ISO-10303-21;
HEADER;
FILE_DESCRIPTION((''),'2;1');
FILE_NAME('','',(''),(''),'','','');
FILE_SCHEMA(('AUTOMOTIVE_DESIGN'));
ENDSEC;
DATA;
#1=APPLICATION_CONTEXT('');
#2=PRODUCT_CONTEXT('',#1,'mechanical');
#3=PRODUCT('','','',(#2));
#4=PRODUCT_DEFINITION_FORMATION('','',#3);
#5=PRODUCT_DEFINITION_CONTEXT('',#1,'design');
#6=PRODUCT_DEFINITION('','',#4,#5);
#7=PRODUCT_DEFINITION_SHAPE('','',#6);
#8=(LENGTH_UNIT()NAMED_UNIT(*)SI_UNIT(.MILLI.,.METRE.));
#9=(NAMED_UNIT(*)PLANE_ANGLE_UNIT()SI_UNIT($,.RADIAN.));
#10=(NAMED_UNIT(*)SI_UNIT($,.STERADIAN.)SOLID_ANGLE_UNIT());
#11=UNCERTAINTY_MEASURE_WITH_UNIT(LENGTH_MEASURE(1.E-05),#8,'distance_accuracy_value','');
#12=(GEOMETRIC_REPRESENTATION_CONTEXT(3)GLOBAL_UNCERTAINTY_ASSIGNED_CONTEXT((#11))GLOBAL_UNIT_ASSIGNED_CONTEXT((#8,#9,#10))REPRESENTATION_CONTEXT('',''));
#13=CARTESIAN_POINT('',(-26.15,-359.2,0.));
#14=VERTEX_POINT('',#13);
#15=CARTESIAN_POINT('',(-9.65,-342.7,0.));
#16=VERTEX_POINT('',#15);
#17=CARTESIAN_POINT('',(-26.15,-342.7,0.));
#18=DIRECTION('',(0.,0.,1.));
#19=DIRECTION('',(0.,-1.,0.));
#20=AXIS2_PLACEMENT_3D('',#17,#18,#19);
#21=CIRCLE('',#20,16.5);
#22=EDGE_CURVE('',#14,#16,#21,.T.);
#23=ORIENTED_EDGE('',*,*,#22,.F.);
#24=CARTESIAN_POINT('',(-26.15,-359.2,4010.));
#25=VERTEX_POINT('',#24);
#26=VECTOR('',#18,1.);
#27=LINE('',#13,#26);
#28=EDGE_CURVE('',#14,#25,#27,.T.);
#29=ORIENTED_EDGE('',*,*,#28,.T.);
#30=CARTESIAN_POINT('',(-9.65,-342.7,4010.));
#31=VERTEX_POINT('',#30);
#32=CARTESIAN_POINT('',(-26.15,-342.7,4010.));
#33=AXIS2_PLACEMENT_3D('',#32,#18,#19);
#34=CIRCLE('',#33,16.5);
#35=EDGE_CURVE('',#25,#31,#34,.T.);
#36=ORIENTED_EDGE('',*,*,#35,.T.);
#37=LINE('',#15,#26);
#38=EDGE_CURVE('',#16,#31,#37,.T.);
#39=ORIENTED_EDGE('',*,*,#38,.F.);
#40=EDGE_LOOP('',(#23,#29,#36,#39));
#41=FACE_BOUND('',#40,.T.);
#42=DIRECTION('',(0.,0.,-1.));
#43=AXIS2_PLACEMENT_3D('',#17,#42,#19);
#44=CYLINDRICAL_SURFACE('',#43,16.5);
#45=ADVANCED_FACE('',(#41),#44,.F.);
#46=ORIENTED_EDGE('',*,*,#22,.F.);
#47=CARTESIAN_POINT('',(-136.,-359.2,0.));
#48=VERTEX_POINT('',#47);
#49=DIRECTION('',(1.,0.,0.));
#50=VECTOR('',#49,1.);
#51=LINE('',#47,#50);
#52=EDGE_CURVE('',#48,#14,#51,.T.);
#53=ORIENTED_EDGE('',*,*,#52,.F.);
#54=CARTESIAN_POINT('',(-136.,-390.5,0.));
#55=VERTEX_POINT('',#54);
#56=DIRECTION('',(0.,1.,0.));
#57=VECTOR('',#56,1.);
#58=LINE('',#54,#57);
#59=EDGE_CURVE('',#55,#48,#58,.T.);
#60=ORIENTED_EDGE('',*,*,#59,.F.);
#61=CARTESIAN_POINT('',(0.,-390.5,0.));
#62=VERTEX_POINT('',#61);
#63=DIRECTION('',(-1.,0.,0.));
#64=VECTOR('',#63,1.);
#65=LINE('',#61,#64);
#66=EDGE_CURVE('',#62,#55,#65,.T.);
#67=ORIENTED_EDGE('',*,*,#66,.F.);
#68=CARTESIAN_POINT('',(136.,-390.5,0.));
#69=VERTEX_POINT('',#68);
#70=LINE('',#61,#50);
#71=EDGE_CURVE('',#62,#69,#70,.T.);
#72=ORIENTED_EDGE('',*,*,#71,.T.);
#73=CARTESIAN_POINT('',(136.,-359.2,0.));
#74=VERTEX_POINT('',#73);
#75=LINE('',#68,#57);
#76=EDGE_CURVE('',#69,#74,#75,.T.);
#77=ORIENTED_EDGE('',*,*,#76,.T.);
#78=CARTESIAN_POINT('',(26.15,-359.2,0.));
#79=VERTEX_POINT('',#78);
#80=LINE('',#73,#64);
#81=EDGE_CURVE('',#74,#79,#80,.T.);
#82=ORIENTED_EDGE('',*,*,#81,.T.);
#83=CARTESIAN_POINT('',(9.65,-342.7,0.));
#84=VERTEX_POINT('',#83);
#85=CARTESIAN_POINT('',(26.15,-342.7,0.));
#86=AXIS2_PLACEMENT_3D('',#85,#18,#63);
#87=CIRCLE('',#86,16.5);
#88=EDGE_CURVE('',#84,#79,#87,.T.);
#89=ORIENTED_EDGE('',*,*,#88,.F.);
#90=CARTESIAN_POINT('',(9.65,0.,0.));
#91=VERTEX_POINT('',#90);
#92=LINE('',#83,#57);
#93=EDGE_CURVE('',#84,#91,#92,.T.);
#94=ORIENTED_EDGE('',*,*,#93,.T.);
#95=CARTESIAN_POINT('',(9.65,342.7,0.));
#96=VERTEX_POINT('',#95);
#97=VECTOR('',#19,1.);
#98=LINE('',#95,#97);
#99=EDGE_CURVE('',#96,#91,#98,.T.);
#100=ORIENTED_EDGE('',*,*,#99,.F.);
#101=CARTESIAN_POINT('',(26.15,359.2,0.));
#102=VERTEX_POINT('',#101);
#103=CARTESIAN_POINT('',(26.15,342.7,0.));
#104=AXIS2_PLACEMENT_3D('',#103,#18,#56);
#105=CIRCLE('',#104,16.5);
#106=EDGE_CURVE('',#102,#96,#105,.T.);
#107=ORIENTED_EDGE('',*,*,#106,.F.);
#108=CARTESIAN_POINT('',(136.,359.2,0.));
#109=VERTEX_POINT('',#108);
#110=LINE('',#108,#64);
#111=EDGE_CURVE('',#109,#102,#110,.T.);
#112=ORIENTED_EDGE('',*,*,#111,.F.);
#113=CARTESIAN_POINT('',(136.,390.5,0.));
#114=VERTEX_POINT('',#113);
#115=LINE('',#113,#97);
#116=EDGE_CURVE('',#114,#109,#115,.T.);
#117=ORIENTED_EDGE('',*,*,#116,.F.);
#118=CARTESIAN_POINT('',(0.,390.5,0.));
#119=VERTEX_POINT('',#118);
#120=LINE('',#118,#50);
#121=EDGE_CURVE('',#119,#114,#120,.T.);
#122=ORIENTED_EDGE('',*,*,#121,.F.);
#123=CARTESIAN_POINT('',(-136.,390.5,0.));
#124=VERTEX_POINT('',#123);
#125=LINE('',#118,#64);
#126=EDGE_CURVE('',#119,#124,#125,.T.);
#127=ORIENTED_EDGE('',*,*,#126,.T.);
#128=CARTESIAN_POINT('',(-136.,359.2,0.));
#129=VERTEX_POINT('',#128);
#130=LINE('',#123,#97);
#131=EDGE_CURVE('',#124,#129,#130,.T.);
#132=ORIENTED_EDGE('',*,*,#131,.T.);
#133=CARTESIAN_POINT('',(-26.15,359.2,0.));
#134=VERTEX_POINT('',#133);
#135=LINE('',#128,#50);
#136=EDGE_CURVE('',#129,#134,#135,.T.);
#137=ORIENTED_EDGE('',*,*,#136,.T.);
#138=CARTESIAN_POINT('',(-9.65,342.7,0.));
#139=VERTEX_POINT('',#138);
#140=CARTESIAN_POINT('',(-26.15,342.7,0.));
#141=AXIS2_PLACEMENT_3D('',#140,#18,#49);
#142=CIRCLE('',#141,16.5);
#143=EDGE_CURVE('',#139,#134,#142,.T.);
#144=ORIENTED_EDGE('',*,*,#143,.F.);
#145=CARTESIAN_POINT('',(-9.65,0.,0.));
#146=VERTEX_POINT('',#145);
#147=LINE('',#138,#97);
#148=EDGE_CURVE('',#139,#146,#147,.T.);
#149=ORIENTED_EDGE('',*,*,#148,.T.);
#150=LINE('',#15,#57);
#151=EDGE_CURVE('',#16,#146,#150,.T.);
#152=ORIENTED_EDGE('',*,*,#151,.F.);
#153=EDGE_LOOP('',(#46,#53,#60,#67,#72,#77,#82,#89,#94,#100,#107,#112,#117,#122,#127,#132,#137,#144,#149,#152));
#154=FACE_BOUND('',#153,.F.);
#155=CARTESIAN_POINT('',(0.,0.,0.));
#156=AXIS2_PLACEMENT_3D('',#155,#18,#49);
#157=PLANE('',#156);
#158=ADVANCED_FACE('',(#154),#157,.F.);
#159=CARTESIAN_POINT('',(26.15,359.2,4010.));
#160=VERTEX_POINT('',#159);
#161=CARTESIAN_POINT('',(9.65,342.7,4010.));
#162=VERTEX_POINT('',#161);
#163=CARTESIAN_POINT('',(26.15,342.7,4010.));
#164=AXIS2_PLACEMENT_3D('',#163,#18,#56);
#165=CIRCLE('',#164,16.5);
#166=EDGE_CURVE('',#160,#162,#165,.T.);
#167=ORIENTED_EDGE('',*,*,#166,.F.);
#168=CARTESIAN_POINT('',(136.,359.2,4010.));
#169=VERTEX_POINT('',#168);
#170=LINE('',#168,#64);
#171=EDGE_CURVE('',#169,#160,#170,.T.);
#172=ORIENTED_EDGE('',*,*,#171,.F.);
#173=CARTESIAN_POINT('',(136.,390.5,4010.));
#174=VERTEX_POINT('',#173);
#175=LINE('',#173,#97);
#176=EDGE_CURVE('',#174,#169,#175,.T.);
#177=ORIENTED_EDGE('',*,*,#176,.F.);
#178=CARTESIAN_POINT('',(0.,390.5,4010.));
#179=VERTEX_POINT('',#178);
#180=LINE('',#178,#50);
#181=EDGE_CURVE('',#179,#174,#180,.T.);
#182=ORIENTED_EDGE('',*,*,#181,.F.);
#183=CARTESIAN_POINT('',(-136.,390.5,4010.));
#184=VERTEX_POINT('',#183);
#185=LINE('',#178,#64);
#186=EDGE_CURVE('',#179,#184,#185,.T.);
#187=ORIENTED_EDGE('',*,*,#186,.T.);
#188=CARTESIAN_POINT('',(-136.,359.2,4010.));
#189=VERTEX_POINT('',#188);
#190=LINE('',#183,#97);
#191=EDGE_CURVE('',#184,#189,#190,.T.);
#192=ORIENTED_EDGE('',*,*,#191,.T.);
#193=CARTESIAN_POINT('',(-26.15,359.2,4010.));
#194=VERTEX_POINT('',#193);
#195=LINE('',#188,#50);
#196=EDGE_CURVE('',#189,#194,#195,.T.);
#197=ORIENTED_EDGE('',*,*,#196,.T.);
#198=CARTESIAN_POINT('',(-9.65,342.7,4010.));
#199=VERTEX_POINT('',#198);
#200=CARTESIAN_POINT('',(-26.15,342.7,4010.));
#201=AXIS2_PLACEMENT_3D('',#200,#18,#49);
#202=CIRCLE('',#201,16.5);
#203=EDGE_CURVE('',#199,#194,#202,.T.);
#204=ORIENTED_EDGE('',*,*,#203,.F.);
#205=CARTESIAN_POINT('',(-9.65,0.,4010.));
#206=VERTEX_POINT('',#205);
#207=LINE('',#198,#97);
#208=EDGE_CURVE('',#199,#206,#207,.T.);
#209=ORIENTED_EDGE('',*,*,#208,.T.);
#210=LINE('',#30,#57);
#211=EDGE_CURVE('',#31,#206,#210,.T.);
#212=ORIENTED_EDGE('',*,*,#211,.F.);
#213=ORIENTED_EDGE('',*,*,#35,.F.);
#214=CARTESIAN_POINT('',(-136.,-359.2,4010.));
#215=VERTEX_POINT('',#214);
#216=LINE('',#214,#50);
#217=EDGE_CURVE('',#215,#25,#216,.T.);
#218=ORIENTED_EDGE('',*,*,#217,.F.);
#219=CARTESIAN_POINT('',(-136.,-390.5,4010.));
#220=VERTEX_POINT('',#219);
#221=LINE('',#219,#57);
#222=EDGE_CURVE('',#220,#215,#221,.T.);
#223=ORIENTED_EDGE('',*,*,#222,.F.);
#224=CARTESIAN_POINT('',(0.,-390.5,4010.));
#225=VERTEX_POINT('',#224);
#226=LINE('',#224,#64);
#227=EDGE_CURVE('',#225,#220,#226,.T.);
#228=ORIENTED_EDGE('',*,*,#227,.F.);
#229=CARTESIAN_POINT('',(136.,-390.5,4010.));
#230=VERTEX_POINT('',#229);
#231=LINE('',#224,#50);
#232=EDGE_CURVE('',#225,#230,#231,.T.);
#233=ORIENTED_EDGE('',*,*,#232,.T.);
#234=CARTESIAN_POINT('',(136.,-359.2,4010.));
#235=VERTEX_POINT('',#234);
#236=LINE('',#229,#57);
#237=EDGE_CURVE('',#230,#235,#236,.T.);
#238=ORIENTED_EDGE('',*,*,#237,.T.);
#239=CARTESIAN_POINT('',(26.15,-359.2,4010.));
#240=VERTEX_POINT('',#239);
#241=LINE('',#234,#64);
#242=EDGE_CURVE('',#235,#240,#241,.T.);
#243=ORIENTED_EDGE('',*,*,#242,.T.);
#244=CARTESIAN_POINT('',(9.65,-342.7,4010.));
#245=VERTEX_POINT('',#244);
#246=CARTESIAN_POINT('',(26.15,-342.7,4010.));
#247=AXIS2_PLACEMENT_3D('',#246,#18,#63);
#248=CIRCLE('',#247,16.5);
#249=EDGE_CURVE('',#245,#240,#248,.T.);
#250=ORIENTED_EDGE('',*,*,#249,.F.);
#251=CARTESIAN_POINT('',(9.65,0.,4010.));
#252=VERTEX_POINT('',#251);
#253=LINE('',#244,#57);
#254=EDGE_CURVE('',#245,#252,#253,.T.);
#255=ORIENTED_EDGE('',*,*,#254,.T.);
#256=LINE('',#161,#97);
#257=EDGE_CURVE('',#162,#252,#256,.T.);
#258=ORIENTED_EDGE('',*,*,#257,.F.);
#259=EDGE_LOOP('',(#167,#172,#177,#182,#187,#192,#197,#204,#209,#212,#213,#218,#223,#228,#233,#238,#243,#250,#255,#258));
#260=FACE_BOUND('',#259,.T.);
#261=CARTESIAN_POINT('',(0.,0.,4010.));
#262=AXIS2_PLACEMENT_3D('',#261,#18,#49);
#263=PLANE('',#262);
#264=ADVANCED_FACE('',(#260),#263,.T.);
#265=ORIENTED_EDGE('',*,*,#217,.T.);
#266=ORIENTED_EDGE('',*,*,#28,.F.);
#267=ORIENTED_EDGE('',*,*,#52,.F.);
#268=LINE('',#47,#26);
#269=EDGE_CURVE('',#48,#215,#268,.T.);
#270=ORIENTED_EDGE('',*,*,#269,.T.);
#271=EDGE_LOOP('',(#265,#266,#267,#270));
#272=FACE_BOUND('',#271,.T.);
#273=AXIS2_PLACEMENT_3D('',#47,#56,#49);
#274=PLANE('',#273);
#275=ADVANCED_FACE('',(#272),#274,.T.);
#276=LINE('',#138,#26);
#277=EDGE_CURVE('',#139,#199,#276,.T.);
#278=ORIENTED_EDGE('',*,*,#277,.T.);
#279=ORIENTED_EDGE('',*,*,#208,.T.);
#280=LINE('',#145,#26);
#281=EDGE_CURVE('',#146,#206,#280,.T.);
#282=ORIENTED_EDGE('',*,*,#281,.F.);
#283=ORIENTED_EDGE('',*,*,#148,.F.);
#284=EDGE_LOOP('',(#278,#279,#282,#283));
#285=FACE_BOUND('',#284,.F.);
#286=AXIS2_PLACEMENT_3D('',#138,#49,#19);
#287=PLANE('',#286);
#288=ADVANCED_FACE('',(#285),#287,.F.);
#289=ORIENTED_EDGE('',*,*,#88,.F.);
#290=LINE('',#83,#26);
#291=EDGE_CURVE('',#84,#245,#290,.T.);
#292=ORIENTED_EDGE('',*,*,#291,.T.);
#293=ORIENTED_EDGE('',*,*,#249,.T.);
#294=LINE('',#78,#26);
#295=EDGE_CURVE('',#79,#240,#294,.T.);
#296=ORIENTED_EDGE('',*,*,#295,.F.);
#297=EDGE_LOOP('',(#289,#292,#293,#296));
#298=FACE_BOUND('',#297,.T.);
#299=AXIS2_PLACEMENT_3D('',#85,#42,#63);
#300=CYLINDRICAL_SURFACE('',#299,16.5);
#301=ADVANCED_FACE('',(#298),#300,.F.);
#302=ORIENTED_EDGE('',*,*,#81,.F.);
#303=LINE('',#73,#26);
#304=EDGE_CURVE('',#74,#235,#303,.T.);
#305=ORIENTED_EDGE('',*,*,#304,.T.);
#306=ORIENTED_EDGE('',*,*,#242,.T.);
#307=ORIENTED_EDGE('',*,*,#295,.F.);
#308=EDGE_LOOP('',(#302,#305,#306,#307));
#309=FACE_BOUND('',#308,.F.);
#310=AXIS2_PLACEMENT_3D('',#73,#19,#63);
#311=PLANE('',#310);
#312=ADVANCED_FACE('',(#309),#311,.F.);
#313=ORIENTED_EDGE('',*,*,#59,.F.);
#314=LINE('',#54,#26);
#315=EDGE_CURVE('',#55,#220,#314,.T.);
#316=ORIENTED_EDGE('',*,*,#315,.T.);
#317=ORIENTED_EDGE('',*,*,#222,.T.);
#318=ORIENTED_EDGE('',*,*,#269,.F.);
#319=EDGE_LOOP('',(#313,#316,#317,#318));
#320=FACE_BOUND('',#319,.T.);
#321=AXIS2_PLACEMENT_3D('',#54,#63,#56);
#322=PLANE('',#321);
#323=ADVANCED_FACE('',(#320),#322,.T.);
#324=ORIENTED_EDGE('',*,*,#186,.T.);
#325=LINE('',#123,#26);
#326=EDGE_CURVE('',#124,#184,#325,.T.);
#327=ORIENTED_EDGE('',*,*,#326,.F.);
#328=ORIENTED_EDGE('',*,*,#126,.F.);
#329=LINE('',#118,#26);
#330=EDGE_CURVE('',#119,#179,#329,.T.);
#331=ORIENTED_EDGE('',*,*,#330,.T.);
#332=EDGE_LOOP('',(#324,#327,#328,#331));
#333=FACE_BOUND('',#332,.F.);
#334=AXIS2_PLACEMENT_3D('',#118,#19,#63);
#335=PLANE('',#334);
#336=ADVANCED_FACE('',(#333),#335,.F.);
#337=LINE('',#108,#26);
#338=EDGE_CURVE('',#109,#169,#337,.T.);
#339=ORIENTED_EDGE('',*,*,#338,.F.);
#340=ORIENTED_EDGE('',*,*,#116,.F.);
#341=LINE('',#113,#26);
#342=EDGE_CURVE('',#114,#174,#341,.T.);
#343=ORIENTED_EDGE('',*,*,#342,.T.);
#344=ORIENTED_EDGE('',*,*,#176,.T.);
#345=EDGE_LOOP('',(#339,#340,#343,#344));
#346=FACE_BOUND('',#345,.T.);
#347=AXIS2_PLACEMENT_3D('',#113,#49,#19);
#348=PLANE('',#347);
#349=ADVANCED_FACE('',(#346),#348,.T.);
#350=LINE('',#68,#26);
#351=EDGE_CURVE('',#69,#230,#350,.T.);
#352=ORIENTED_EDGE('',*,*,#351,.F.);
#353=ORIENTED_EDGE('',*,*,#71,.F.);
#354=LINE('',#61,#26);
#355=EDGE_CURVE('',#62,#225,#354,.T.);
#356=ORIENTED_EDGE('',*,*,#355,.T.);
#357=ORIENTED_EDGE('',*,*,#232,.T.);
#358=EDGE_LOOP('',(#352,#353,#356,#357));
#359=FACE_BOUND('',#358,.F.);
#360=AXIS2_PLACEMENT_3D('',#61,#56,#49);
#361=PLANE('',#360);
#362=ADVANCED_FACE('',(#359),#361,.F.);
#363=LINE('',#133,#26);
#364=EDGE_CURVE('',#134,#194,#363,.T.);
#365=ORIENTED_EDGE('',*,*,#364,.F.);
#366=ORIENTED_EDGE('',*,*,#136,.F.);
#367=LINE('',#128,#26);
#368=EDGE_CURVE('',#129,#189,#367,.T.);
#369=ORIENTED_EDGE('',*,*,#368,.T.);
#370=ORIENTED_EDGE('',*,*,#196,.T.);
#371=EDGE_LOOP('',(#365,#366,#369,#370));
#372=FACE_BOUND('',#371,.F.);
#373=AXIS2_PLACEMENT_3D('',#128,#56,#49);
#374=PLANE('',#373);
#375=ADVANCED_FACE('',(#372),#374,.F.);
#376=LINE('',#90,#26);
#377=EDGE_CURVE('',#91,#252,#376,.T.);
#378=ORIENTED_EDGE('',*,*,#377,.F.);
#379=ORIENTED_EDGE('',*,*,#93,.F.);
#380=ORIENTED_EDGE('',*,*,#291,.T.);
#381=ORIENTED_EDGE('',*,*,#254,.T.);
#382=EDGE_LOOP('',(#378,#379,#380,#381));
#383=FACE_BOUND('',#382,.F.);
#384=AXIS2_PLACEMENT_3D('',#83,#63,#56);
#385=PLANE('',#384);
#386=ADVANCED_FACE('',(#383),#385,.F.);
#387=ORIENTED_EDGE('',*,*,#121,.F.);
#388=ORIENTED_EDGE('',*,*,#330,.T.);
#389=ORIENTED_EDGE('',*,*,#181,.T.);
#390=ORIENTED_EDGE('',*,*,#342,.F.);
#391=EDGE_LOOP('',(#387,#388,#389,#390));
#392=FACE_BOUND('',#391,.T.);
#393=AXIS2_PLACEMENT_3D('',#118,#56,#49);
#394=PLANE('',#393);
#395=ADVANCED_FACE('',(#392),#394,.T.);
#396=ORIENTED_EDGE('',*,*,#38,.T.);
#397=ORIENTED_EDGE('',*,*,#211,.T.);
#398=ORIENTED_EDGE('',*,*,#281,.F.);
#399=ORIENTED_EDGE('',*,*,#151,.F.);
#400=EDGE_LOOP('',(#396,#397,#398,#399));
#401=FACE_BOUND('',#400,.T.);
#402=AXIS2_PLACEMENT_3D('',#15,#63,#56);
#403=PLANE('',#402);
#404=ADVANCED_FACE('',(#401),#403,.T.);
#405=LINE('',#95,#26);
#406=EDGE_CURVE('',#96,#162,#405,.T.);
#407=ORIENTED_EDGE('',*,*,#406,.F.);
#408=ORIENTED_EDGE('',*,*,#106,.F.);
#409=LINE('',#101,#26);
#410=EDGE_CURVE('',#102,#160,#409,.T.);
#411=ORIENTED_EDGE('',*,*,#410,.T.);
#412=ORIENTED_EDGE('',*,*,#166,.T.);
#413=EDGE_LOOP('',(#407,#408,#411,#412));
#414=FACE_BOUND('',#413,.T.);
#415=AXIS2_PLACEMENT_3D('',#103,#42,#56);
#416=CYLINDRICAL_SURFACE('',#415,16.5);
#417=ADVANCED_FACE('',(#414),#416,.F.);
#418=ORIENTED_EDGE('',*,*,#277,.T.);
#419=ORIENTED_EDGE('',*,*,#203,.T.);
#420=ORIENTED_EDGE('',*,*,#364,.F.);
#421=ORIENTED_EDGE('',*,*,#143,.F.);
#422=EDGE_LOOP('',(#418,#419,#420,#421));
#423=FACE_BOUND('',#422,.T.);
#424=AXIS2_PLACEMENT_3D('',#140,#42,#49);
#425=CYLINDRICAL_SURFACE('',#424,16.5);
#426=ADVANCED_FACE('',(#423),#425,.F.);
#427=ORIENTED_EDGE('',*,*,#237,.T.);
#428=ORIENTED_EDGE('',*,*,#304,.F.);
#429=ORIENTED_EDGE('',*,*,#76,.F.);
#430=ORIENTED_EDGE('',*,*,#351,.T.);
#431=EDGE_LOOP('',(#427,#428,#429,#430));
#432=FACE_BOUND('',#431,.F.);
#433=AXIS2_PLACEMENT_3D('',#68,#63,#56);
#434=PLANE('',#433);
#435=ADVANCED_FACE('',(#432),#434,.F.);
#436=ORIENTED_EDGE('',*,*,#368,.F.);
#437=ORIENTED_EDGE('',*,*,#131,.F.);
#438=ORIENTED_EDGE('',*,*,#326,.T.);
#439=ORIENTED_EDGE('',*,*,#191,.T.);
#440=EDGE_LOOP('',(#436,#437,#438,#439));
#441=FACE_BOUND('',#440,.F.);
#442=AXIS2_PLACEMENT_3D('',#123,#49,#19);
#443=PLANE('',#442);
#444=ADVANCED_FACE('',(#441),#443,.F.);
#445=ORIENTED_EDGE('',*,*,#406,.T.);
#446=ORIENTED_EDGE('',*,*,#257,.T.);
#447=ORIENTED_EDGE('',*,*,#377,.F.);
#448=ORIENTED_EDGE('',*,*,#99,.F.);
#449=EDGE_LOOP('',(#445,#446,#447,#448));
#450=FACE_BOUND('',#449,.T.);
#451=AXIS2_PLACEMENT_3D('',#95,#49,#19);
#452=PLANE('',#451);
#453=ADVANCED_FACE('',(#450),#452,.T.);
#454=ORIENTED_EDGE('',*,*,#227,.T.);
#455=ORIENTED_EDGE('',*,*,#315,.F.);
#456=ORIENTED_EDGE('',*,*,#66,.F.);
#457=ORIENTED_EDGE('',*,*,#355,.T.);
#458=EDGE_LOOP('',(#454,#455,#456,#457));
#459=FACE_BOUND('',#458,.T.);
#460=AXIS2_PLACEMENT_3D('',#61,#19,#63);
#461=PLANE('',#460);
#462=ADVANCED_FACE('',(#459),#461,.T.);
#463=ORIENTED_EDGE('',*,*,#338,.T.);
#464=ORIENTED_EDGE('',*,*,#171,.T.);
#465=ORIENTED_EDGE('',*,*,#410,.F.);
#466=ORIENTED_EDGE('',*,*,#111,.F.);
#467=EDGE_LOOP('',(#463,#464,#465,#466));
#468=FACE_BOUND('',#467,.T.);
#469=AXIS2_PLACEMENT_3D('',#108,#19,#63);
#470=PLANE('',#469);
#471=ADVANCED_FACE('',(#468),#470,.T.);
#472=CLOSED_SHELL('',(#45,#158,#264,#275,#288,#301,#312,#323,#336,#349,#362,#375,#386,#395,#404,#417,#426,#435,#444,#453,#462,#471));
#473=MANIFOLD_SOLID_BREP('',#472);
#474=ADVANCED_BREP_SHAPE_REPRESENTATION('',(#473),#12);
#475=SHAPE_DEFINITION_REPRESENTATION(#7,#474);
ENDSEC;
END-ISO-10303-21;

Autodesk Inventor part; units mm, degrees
ref_plane "YZ Plane" through (0, 0, 0) normal (1, 0, 0) x (0, 1, 0)
ref_plane "Start plane" through (0, 0, 0) normal (0, 0, 1) x (1, 0, 0)
ref_plane "End plane" through (0, 0, 4010) normal (0, 0, 1) x (1, 0, 0)
sketch "Sketch" plane through (0, 0, 0) normal (0, 0, 1) x (1, 0, 0)
  line L0 (-136, -390.5) -> (-136, -359.2)
  line L1 (-136, -359.2) -> (-26.15, -359.2)
  line L2 (-9.65, -342.7) -> (-9.65, 0)
  line L3 (-9.65, 0) -> (0, 0) construction
  line L4 (0, 0) -> (0, -390.5) construction
  line L5 (0, -390.5) -> (-136, -390.5)
  line L6 (-60, 0) -> (80, 0) construction
  line L7 (0, -60) -> (0, 80) construction
  line L8 (136, -390.5) -> (136, -359.2)
  line L9 (136, -359.2) -> (26.15, -359.2)
  line L10 (9.65, -342.7) -> (9.65, 0)
  line L11 (9.65, 0) -> (0, 0) construction
  line L12 (0, -390.5) -> (136, -390.5)
  line L13 (-136, 390.5) -> (-136, 359.2)
  line L14 (-136, 359.2) -> (-26.15, 359.2)
  line L15 (-9.65, 342.7) -> (-9.65, 0)
  line L16 (0, 390.5) -> (-136, 390.5)
  line L17 (136, 390.5) -> (136, 359.2)
  line L18 (136, 359.2) -> (26.15, 359.2)
  line L19 (0, 390.5) -> (136, 390.5)
  line L20 (9.65, 342.7) -> (9.65, 0)
  arc A0 (-9.65, 342.7) -> (-26.15, 359.2) centre (-26.15, 342.7) ccw
  arc A1 (26.15, 359.2) -> (9.65, 342.7) centre (26.15, 342.7) ccw
  arc A2 (9.65, -342.7) -> (26.15, -359.2) centre (26.15, -342.7) ccw
  arc A3 (-26.15, -359.2) -> (-9.65, -342.7) centre (-26.15, -342.7) ccw
  line L21 (0, 108) -> (0, -88) construction
  line L22 (-88, 0) -> (108, 0) construction
  point P0 (-9.65, -359.2)
  point P1 (9.65, -359.2)
  point P2 (-9.65, 359.2)
  point P3 (9.65, 359.2)
  dimension "d1" = 390.5
  dimension "d2" = 31.3
  dimension "d3" = 136
  dimension "d4" = 9.65
  dimension "d10" = 16.5
extrude "Body" add sketch "Sketch" along normal up to surface (4010 mm away) from surface at 0
sketch "Sketch4" plane through (0, 0, 0) normal (0, 0, 1) x (1, 0, 0)
  line L0 (0, 0) -> (10, 0)
ref_plane "Work Plane3" through (0, 0, 0) normal (0, -1, 0) x (1, 0, 0)
sketch "Sketch5" plane through (0, 0, 0) normal (0, -1, 0) x (1, 0, 0)
  line L0 (-2, 0) -> (12, 0) projected
  line L1 (-2, 4010) -> (12, 4010) projected
  dimension "d14" = 4010
equation "\"d1\" = 0.5 * G_H"
equation "\"d2\" = G_T1"
equation "\"d3\" = 0.5 * G_W"
equation "\"d4\" = 0.5 * G_T"
equation "\"d10\" = G_IR"
equation "\"d5\" = G_L"
equation "\"G_W\" = 272"
equation "\"G_H\" = 781"
equation "\"G_T\" = 19.3"
equation "\"G_T1\" = 31.3"
equation "\"G_IR\" = 16.5"
equation "\"G_L\" = d14"
equation "\"G_OFFSET_START\" = 0"
equation "\"G_OFFSET_END\" = 0"
properties part number "AS 3679-1990 - 760 UB - 244 - 4010" material "Steel, Mild"
